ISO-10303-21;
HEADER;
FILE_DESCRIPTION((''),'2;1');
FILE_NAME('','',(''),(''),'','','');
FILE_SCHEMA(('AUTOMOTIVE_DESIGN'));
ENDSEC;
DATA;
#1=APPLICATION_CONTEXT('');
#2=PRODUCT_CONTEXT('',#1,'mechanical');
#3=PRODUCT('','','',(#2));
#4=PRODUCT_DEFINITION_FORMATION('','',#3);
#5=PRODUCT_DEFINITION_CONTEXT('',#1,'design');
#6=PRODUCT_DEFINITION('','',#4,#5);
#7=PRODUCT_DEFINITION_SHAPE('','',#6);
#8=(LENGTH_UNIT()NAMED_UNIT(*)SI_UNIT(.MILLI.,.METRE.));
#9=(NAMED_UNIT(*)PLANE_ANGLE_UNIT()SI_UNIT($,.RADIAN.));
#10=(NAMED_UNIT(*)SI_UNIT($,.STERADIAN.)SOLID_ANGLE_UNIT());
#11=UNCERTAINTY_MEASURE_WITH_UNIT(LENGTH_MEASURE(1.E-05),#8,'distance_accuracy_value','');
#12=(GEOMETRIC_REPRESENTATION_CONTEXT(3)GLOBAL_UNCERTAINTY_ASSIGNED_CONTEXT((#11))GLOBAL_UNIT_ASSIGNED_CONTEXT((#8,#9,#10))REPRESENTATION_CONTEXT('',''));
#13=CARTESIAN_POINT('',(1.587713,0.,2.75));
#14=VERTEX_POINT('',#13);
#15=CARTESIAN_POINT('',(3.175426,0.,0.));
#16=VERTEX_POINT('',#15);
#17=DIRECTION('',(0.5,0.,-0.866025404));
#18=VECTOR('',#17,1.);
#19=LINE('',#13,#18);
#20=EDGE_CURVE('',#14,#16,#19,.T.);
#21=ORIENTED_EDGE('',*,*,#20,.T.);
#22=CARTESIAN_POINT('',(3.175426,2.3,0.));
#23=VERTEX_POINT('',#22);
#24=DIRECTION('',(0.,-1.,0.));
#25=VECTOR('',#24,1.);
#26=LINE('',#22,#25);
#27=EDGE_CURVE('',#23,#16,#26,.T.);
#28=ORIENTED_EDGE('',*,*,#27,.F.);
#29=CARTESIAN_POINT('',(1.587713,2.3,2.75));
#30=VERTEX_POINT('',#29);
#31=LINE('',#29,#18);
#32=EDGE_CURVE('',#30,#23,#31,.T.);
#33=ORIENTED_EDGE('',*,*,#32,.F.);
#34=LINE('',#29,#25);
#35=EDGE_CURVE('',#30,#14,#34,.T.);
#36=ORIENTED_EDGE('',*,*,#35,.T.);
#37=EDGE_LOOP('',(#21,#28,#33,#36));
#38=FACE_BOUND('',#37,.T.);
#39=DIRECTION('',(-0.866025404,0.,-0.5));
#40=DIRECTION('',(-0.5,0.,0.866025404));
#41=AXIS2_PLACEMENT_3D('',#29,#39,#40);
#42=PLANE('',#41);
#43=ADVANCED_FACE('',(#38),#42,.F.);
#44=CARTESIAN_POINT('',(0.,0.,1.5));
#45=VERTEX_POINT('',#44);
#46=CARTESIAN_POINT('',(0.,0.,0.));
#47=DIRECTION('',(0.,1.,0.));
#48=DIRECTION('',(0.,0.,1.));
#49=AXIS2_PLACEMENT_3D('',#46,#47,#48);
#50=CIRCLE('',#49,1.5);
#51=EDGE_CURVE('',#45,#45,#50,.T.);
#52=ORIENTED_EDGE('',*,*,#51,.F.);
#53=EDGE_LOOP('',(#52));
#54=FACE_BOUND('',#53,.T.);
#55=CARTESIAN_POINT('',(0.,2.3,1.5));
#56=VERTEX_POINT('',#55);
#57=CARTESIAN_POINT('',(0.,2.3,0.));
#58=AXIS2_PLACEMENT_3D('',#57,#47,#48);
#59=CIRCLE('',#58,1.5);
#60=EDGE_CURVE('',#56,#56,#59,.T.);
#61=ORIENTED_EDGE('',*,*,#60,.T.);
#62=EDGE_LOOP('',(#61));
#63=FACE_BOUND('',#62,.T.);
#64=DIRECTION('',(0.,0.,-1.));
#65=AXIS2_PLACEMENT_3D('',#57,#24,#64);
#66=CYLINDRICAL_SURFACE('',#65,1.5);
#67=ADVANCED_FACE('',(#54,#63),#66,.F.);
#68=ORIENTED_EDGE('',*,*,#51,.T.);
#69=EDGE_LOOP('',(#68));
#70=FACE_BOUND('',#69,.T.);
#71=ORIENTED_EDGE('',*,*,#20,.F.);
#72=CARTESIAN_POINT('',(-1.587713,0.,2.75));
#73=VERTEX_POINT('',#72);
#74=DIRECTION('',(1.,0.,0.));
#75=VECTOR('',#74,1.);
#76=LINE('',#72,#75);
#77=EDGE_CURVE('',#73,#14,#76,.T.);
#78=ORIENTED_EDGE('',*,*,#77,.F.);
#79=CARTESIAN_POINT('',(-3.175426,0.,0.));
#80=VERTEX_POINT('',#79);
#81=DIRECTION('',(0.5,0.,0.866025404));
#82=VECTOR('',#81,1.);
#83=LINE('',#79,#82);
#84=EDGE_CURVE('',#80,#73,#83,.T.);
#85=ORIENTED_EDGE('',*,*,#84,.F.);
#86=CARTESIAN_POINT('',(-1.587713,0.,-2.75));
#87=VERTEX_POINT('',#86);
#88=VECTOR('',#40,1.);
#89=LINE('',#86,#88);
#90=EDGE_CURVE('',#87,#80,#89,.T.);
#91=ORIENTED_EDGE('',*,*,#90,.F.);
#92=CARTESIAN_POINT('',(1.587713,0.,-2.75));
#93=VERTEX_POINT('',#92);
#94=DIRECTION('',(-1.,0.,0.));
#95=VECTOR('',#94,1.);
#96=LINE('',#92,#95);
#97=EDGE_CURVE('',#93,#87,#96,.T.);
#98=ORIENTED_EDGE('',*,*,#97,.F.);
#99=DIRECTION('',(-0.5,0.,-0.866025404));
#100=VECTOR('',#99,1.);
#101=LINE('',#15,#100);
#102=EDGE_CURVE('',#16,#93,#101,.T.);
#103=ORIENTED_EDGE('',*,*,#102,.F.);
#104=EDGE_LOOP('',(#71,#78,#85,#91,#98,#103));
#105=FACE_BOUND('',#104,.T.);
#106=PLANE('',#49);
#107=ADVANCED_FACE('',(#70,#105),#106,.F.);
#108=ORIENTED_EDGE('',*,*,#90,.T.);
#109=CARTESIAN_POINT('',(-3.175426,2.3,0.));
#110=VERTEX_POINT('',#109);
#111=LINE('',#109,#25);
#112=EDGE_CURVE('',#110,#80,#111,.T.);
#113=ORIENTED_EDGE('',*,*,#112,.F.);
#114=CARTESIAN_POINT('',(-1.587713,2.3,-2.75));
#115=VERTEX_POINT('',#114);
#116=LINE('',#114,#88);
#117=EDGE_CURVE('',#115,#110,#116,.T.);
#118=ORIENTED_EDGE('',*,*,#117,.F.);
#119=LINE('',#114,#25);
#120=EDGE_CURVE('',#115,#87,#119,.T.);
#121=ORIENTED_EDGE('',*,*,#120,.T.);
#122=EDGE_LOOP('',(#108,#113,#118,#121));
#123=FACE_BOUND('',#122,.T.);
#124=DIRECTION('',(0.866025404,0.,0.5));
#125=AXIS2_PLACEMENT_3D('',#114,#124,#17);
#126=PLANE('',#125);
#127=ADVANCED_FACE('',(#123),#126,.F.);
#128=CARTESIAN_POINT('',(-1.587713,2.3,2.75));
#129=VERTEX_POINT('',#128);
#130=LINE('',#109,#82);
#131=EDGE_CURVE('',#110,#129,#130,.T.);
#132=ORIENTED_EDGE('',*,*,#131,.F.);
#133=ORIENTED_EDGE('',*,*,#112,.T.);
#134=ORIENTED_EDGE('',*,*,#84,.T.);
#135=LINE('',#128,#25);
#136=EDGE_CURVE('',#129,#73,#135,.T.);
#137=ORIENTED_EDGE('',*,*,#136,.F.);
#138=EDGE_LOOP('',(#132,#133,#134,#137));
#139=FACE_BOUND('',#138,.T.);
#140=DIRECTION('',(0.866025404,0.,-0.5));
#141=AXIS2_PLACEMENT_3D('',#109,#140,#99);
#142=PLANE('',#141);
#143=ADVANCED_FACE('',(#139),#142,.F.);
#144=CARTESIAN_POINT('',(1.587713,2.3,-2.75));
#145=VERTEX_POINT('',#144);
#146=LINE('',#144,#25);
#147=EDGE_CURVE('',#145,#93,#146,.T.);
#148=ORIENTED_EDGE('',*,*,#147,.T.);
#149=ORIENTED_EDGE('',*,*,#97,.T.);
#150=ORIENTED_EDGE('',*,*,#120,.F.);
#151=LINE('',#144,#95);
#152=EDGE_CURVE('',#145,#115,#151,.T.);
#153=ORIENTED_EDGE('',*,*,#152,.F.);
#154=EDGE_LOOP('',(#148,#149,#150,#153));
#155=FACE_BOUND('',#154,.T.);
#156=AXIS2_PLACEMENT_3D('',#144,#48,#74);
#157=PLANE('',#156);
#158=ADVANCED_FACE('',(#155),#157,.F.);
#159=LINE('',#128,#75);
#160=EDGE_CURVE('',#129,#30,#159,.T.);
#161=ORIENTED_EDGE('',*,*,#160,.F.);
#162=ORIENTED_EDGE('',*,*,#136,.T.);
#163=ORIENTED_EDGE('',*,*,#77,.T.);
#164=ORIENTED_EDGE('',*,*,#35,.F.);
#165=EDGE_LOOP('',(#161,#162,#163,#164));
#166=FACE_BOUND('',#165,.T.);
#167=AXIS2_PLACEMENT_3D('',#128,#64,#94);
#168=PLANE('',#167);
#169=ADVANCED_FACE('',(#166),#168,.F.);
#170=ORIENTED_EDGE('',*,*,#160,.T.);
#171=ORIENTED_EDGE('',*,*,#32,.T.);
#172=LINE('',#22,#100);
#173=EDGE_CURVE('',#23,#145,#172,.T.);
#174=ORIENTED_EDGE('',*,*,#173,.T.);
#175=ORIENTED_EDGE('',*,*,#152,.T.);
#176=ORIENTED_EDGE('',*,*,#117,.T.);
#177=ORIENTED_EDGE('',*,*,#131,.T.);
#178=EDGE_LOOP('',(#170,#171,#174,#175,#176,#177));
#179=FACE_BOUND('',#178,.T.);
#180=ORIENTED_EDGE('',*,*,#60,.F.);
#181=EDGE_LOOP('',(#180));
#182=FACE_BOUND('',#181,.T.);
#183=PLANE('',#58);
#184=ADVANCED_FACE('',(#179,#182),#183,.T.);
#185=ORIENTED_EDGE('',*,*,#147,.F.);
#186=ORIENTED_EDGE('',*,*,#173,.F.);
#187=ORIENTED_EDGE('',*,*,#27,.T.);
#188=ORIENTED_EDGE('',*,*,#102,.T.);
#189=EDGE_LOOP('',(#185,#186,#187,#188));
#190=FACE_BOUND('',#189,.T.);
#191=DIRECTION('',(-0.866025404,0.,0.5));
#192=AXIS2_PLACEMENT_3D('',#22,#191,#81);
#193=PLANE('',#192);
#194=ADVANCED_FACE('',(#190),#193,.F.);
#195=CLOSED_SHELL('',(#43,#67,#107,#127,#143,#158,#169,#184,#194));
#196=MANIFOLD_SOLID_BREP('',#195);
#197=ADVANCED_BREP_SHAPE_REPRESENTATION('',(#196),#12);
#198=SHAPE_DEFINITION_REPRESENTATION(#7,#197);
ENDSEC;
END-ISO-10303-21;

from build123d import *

# Parameters (mm, degrees)
SKETCH_1_R      = 1.5
EXTRUDE_1_DEPTH = 2.3


with BuildPart() as part:
    # 草图1 → 凸台-拉伸1 (new body)
    with BuildSketch(Plane(origin=(0, 0, 0), x_dir=(1, 0, 0), z_dir=(0, 1, 0))):
        Polygon((3.175426481, 0), (1.58771324, 2.75), (-1.58771324, 2.75), (-3.175426481, 0), (-1.58771324, -2.75), (1.58771324, -2.75), align=None)
        with Locations(Location((0, 0, 0), (0, 0, 270))):
            Circle(SKETCH_1_R, mode=Mode.SUBTRACT)
    extrude(amount=EXTRUDE_1_DEPTH)


solid = part.part
